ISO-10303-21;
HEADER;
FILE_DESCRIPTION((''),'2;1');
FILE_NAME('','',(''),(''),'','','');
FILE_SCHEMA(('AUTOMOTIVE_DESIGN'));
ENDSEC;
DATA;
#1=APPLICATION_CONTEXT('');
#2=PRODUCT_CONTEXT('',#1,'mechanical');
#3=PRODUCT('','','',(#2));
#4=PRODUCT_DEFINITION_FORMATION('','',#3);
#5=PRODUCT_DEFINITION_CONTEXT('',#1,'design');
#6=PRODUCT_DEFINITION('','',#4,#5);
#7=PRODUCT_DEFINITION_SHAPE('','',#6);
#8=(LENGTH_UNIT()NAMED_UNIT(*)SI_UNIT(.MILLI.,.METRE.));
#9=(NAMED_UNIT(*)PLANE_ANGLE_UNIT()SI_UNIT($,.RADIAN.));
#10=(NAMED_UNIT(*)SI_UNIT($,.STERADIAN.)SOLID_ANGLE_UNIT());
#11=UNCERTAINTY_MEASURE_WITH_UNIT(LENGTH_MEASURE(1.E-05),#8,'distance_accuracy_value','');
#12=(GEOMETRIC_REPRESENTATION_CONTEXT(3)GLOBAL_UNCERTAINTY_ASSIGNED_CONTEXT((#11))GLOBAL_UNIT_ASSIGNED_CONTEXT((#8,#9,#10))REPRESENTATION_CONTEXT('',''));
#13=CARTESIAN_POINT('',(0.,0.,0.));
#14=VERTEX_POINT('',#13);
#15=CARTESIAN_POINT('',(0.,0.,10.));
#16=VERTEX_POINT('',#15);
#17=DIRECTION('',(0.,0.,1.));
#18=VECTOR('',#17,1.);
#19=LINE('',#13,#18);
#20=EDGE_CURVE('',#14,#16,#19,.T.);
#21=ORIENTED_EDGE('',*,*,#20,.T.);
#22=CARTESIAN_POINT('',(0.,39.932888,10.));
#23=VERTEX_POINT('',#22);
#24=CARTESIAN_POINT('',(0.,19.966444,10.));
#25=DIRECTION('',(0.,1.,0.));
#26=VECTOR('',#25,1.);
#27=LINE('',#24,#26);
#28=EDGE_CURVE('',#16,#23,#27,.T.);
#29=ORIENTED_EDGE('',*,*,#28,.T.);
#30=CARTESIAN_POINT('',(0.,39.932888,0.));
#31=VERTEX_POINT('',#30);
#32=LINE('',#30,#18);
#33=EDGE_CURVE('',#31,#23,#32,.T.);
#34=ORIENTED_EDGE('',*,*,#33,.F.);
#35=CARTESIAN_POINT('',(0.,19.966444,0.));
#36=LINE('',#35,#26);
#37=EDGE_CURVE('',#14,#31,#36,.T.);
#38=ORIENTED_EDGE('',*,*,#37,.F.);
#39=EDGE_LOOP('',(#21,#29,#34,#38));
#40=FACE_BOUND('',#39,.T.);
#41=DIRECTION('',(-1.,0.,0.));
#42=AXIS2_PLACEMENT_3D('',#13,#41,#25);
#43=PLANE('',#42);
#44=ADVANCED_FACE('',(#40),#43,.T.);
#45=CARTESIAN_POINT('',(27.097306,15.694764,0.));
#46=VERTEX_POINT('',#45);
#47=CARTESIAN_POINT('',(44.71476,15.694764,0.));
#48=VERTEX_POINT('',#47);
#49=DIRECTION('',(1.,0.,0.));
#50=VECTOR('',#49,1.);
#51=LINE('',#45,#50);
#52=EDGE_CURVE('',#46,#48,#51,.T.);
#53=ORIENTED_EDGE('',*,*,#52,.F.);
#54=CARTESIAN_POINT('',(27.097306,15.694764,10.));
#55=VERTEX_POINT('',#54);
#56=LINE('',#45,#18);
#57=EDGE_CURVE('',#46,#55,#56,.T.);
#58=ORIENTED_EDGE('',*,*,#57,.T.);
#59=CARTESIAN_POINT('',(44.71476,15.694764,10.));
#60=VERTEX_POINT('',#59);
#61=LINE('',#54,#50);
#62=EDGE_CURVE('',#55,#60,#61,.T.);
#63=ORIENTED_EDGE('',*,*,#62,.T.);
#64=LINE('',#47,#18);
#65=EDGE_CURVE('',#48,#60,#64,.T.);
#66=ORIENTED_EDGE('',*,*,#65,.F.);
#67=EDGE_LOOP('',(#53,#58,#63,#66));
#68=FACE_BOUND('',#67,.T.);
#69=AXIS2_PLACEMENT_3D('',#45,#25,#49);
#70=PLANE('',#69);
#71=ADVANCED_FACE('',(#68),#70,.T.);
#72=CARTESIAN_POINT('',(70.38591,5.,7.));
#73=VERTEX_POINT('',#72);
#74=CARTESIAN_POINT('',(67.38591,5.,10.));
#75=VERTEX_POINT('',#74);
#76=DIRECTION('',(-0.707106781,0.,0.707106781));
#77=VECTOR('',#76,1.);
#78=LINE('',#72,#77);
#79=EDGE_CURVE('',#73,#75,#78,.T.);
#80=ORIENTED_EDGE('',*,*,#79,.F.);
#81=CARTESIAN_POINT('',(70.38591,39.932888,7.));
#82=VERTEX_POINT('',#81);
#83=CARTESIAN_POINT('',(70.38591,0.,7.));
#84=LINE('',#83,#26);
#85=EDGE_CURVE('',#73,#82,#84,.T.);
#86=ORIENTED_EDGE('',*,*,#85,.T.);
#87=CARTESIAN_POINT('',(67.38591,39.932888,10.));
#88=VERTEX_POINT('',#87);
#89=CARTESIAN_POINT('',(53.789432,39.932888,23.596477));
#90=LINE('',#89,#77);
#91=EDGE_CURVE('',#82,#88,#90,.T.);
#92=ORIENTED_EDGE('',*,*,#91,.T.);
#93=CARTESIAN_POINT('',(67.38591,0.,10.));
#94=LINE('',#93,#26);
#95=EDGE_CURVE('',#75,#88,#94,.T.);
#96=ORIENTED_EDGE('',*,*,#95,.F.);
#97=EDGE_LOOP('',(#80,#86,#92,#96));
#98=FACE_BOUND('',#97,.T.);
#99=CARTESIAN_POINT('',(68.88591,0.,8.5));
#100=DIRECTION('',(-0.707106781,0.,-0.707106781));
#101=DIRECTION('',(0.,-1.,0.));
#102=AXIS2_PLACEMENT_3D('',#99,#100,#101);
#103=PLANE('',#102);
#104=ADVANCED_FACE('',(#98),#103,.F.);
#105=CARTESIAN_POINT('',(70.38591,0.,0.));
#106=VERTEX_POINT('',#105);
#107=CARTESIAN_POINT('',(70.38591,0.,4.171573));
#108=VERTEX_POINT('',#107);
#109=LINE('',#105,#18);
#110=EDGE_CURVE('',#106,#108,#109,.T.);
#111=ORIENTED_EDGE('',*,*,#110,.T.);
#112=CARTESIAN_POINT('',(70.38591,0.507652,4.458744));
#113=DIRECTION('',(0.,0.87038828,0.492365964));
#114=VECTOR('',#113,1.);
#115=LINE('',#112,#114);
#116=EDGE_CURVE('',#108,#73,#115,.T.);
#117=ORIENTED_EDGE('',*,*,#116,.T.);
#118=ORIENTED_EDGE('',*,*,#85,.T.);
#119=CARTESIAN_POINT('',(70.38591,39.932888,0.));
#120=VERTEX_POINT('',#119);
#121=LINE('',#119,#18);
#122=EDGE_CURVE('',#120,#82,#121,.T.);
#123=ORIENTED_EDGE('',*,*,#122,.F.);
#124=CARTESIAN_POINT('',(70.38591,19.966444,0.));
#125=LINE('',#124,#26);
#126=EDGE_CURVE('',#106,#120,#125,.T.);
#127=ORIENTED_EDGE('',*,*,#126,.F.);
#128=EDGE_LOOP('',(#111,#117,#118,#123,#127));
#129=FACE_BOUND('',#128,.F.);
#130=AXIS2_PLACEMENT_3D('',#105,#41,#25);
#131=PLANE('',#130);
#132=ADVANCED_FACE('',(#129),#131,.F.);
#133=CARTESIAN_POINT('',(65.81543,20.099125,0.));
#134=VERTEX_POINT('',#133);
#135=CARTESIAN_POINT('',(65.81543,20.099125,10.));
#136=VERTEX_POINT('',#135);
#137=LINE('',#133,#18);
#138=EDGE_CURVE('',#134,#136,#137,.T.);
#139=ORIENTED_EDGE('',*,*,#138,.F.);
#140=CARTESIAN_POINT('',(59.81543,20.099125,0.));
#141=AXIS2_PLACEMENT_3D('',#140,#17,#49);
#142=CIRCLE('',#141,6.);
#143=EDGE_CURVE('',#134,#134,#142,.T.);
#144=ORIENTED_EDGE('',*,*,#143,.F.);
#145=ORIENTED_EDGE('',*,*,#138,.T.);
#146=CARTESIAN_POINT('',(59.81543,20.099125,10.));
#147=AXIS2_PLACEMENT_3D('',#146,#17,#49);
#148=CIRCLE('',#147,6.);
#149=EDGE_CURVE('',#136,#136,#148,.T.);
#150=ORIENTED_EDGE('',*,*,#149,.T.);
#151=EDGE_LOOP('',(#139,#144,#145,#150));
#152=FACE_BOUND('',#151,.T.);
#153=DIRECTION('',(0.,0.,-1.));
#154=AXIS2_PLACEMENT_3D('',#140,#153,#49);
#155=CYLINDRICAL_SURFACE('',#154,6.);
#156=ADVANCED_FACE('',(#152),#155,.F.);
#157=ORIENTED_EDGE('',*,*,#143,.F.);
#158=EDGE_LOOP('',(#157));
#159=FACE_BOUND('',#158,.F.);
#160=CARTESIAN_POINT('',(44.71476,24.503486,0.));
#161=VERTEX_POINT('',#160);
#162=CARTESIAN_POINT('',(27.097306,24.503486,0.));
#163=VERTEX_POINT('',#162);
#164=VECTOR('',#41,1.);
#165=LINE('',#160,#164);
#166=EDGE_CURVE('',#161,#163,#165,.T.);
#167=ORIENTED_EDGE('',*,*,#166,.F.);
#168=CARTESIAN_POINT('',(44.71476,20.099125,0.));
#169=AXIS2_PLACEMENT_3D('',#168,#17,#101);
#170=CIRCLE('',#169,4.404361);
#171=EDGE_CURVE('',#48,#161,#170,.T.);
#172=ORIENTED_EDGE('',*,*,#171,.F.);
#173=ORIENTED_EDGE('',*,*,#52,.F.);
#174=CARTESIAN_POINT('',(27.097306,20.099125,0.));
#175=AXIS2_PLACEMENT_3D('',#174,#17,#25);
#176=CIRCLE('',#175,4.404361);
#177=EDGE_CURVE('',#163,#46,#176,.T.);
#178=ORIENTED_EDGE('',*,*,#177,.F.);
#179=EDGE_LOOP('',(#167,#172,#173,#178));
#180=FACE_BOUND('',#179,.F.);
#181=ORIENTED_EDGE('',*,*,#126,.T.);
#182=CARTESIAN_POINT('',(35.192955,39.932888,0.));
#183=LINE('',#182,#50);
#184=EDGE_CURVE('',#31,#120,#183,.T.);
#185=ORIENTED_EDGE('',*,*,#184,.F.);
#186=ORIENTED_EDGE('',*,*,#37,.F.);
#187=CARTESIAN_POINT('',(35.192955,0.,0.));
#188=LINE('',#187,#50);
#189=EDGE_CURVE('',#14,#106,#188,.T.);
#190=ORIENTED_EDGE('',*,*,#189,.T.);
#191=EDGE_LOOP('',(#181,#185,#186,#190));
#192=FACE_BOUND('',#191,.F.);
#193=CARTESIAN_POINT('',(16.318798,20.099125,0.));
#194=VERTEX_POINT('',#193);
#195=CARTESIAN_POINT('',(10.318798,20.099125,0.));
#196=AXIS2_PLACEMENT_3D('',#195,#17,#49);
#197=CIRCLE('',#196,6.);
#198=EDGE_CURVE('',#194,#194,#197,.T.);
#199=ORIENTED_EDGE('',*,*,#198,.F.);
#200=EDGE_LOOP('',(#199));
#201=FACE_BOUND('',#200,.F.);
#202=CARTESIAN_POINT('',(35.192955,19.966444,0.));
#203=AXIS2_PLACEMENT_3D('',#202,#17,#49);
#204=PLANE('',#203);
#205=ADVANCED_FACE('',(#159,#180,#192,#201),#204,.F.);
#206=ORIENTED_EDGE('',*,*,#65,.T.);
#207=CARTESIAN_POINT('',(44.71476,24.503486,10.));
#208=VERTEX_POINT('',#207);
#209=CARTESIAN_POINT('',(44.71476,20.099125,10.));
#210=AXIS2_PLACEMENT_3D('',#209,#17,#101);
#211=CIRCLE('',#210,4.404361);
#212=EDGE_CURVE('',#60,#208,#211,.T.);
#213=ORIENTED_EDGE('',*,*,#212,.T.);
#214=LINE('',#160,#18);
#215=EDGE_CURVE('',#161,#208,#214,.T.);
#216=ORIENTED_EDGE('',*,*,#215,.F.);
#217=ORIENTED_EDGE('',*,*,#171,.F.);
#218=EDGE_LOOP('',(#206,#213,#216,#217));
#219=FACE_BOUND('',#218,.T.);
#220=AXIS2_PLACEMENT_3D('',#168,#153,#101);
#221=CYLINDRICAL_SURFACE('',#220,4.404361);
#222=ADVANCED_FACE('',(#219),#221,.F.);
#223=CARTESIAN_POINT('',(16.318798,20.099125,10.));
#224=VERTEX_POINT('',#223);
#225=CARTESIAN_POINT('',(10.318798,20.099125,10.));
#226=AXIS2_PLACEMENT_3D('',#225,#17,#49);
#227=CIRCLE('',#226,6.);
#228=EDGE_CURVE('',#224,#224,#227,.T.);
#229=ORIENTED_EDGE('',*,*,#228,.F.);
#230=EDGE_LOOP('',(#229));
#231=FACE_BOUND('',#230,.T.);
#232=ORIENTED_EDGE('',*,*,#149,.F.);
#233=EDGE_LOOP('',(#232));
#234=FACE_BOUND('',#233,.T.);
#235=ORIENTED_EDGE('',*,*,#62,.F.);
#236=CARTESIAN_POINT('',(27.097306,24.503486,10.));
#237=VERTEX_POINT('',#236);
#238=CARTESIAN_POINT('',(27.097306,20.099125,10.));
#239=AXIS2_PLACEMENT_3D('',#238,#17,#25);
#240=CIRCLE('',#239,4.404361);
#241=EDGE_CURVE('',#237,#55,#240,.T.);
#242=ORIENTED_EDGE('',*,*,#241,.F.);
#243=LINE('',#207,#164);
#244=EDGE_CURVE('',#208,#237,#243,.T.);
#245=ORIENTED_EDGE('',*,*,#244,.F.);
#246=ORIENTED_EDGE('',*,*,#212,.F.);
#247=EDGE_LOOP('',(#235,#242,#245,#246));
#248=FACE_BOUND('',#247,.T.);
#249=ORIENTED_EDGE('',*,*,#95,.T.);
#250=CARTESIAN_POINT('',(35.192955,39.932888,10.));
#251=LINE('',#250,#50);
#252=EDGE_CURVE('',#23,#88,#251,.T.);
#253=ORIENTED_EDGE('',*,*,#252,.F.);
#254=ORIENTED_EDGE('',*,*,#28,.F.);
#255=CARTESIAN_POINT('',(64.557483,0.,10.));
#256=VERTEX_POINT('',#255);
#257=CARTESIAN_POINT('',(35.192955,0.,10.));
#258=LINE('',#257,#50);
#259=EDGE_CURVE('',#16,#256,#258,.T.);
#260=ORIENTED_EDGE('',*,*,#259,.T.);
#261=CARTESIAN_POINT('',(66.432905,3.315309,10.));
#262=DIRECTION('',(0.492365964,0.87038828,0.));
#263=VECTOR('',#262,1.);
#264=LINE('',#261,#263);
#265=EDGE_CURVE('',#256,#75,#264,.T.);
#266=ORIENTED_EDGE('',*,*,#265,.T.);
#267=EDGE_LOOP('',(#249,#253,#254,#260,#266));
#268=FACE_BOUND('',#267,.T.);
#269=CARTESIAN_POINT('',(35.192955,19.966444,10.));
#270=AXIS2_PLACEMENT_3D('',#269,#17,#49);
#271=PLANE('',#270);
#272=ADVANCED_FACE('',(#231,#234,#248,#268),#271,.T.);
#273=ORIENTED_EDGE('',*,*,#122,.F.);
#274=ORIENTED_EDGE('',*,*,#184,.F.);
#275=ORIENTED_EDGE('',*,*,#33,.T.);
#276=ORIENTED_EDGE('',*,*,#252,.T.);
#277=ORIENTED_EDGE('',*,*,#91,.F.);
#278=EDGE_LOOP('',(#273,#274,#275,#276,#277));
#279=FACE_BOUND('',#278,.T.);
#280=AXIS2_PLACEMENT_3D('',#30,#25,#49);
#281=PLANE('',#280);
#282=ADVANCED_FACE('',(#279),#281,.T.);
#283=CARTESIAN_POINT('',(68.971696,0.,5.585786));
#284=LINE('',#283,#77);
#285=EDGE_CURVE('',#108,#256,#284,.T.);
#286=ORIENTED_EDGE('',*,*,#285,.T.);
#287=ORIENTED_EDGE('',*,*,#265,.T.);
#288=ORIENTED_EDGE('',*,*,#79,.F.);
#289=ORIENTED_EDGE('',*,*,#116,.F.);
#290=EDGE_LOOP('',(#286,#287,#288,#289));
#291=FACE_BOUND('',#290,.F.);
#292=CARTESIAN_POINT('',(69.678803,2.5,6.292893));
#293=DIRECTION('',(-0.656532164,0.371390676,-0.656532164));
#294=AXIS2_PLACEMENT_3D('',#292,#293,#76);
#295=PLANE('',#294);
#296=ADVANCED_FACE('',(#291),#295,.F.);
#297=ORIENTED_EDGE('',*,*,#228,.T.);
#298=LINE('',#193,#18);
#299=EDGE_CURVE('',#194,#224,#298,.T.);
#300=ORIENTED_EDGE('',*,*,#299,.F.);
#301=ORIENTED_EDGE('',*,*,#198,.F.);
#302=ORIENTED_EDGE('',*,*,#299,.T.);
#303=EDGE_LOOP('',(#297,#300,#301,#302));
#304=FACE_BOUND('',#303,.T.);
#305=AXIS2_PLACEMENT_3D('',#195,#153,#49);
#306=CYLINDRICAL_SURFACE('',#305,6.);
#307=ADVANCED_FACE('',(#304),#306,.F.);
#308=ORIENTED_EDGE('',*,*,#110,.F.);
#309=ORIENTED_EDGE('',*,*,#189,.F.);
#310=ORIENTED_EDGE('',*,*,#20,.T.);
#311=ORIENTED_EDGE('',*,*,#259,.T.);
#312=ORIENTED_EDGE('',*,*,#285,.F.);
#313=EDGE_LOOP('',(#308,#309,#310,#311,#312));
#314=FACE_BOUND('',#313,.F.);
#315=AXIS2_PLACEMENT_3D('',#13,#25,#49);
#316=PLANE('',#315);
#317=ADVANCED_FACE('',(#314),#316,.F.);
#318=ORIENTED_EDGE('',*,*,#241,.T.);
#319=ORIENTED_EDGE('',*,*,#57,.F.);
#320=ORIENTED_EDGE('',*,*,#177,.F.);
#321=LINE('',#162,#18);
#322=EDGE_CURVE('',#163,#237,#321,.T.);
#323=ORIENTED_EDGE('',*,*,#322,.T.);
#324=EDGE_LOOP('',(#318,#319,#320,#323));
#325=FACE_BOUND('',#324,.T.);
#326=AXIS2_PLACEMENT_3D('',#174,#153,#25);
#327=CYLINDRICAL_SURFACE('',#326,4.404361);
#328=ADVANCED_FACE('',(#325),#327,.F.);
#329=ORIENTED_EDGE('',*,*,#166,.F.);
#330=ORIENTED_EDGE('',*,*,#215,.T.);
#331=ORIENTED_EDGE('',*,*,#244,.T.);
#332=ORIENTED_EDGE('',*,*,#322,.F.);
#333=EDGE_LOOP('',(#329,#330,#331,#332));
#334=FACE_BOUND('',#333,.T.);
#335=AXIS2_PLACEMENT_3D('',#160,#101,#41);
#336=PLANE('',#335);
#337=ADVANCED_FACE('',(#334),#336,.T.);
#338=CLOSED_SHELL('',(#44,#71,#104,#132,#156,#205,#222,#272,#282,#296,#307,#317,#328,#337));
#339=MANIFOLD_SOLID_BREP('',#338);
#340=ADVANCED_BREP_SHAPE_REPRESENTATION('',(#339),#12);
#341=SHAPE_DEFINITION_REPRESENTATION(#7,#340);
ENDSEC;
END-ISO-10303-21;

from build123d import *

# Parameters (mm, degrees)
SKETCH_W         = 70.38591
SKETCH_H         = 39.932888
SKETCH_R         = 6
PAD_DEPTH        = 10
CHAMFER_SIZE     = 3
CHAMFER001_SIZE2 = 5
CHAMFER001_SIZE  = 2


with BuildPart() as part:
    # Sketch → Pad (new body)
    with BuildSketch(Plane.XY):
        with Locations((35.192955, 19.966444)):
            Rectangle(SKETCH_W, SKETCH_H)
        with Locations((10.318798, 20.099125)):
            Circle(SKETCH_R, mode=Mode.SUBTRACT)
        with Locations((59.81543, 20.099125)):
            Circle(SKETCH_R, mode=Mode.SUBTRACT)
        with BuildLine():
            ThreePointArc((27.097306, 24.503486), (22.692945, 20.099125), (27.097306, 15.694764))
            Line((27.097306, 15.694764), (44.71476, 15.694764))
            ThreePointArc((44.71476, 15.694764), (49.119121, 20.099125), (44.71476, 24.503486))
            Line((44.71476, 24.503486), (27.097306, 24.503486))
        make_face(mode=Mode.SUBTRACT)
    extrude(amount=PAD_DEPTH)

    # Chamfer
    chamfer_edges = [part.edges().sort_by_distance(p)[0] for p in [
        (70.38591, 19.966444, 10),
    ]]
    chamfer(chamfer_edges, length=CHAMFER_SIZE)

    # Chamfer001
    chamfer001_edges = [part.edges().sort_by_distance(p)[0] for p in [
        (68.88591, 0, 8.5),
    ]]
    chamfer001_side = part.faces().sort_by_distance((34.972942, 0, 4.974262))[0]
    chamfer(chamfer001_edges, length=CHAMFER001_SIZE, length2=CHAMFER001_SIZE2, reference=chamfer001_side)


solid = part.part
